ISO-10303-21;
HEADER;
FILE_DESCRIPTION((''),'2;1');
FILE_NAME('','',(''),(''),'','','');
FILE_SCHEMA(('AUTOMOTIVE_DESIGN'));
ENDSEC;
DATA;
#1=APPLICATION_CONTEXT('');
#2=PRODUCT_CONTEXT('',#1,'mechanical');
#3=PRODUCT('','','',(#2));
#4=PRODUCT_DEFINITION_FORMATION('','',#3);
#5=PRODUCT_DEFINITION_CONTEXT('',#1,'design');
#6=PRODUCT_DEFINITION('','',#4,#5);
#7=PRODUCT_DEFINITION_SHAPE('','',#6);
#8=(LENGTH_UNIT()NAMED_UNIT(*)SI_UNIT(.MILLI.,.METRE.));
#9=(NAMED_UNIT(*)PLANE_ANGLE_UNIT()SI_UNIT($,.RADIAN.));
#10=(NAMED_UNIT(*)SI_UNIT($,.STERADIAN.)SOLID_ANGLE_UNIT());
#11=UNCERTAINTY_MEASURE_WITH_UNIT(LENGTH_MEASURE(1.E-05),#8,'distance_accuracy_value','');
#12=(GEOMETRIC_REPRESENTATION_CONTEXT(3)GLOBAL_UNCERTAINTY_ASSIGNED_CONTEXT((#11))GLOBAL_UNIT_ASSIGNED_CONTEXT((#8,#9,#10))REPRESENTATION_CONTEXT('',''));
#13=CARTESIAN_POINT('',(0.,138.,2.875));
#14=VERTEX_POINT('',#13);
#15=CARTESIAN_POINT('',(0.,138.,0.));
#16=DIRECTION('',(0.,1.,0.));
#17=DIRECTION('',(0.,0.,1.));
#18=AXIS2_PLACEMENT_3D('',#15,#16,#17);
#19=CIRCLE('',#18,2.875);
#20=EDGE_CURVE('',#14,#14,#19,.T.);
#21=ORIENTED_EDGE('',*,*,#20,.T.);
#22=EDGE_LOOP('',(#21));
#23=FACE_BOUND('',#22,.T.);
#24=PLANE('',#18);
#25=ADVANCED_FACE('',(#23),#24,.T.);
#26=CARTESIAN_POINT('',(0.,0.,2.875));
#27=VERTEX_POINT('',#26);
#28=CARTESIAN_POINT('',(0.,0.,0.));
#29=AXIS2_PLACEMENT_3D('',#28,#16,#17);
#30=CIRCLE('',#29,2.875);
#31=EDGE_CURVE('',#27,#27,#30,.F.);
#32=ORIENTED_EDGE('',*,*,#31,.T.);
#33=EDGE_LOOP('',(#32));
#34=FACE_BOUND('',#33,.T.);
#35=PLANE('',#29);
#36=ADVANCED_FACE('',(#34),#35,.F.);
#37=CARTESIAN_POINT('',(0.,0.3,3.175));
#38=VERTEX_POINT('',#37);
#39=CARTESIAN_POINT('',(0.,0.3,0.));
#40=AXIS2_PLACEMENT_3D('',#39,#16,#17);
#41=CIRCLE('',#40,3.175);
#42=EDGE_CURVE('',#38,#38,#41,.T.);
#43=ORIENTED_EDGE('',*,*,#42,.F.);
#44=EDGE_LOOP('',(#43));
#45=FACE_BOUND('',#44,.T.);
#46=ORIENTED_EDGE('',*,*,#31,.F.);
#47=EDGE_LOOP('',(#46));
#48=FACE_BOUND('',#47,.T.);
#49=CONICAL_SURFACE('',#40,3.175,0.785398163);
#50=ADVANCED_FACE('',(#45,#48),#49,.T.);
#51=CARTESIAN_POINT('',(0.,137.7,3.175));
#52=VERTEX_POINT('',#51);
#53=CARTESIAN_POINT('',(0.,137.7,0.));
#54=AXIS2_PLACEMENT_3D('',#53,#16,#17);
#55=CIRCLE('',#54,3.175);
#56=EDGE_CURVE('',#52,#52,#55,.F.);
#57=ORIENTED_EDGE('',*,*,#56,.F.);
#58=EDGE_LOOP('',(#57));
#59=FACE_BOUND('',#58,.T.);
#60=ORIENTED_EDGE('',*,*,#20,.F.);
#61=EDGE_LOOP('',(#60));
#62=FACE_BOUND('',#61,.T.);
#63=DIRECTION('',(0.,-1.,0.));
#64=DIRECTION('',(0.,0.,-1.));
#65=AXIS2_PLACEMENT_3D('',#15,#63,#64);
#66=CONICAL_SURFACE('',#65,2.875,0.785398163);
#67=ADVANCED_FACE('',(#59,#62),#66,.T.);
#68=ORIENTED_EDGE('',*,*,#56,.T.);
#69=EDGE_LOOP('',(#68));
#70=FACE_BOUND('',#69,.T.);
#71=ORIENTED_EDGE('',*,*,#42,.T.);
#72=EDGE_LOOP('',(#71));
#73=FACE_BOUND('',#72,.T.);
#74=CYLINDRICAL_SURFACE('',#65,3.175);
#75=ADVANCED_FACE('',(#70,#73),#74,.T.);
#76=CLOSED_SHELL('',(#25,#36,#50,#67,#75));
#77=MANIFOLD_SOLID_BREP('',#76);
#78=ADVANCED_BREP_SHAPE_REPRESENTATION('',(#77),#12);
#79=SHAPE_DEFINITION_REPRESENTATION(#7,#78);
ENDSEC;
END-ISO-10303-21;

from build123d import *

# Parameters (mm, degrees)
ESQUISSE1_R        = 3.175
BOSS_EXTRU_1_DEPTH = 138
CHANFREIN1_SIZE    = 0.3


with BuildPart() as part:
    # Esquisse1 → Boss.-Extru.1 (new body)
    with BuildSketch(Plane(origin=(0, 0, 0), x_dir=(1, 0, 0), z_dir=(0, 1, 0))):
        Circle(ESQUISSE1_R)
    extrude(amount=BOSS_EXTRU_1_DEPTH)

    # Chanfrein1
    chanfrein1_edges = [part.edges().sort_by_distance(p)[0] for p in [
        (-3.175, 0, 0),
        (-3.175, 138, 0),
    ]]
    chamfer(chanfrein1_edges, length=CHANFREIN1_SIZE)


solid = part.part
